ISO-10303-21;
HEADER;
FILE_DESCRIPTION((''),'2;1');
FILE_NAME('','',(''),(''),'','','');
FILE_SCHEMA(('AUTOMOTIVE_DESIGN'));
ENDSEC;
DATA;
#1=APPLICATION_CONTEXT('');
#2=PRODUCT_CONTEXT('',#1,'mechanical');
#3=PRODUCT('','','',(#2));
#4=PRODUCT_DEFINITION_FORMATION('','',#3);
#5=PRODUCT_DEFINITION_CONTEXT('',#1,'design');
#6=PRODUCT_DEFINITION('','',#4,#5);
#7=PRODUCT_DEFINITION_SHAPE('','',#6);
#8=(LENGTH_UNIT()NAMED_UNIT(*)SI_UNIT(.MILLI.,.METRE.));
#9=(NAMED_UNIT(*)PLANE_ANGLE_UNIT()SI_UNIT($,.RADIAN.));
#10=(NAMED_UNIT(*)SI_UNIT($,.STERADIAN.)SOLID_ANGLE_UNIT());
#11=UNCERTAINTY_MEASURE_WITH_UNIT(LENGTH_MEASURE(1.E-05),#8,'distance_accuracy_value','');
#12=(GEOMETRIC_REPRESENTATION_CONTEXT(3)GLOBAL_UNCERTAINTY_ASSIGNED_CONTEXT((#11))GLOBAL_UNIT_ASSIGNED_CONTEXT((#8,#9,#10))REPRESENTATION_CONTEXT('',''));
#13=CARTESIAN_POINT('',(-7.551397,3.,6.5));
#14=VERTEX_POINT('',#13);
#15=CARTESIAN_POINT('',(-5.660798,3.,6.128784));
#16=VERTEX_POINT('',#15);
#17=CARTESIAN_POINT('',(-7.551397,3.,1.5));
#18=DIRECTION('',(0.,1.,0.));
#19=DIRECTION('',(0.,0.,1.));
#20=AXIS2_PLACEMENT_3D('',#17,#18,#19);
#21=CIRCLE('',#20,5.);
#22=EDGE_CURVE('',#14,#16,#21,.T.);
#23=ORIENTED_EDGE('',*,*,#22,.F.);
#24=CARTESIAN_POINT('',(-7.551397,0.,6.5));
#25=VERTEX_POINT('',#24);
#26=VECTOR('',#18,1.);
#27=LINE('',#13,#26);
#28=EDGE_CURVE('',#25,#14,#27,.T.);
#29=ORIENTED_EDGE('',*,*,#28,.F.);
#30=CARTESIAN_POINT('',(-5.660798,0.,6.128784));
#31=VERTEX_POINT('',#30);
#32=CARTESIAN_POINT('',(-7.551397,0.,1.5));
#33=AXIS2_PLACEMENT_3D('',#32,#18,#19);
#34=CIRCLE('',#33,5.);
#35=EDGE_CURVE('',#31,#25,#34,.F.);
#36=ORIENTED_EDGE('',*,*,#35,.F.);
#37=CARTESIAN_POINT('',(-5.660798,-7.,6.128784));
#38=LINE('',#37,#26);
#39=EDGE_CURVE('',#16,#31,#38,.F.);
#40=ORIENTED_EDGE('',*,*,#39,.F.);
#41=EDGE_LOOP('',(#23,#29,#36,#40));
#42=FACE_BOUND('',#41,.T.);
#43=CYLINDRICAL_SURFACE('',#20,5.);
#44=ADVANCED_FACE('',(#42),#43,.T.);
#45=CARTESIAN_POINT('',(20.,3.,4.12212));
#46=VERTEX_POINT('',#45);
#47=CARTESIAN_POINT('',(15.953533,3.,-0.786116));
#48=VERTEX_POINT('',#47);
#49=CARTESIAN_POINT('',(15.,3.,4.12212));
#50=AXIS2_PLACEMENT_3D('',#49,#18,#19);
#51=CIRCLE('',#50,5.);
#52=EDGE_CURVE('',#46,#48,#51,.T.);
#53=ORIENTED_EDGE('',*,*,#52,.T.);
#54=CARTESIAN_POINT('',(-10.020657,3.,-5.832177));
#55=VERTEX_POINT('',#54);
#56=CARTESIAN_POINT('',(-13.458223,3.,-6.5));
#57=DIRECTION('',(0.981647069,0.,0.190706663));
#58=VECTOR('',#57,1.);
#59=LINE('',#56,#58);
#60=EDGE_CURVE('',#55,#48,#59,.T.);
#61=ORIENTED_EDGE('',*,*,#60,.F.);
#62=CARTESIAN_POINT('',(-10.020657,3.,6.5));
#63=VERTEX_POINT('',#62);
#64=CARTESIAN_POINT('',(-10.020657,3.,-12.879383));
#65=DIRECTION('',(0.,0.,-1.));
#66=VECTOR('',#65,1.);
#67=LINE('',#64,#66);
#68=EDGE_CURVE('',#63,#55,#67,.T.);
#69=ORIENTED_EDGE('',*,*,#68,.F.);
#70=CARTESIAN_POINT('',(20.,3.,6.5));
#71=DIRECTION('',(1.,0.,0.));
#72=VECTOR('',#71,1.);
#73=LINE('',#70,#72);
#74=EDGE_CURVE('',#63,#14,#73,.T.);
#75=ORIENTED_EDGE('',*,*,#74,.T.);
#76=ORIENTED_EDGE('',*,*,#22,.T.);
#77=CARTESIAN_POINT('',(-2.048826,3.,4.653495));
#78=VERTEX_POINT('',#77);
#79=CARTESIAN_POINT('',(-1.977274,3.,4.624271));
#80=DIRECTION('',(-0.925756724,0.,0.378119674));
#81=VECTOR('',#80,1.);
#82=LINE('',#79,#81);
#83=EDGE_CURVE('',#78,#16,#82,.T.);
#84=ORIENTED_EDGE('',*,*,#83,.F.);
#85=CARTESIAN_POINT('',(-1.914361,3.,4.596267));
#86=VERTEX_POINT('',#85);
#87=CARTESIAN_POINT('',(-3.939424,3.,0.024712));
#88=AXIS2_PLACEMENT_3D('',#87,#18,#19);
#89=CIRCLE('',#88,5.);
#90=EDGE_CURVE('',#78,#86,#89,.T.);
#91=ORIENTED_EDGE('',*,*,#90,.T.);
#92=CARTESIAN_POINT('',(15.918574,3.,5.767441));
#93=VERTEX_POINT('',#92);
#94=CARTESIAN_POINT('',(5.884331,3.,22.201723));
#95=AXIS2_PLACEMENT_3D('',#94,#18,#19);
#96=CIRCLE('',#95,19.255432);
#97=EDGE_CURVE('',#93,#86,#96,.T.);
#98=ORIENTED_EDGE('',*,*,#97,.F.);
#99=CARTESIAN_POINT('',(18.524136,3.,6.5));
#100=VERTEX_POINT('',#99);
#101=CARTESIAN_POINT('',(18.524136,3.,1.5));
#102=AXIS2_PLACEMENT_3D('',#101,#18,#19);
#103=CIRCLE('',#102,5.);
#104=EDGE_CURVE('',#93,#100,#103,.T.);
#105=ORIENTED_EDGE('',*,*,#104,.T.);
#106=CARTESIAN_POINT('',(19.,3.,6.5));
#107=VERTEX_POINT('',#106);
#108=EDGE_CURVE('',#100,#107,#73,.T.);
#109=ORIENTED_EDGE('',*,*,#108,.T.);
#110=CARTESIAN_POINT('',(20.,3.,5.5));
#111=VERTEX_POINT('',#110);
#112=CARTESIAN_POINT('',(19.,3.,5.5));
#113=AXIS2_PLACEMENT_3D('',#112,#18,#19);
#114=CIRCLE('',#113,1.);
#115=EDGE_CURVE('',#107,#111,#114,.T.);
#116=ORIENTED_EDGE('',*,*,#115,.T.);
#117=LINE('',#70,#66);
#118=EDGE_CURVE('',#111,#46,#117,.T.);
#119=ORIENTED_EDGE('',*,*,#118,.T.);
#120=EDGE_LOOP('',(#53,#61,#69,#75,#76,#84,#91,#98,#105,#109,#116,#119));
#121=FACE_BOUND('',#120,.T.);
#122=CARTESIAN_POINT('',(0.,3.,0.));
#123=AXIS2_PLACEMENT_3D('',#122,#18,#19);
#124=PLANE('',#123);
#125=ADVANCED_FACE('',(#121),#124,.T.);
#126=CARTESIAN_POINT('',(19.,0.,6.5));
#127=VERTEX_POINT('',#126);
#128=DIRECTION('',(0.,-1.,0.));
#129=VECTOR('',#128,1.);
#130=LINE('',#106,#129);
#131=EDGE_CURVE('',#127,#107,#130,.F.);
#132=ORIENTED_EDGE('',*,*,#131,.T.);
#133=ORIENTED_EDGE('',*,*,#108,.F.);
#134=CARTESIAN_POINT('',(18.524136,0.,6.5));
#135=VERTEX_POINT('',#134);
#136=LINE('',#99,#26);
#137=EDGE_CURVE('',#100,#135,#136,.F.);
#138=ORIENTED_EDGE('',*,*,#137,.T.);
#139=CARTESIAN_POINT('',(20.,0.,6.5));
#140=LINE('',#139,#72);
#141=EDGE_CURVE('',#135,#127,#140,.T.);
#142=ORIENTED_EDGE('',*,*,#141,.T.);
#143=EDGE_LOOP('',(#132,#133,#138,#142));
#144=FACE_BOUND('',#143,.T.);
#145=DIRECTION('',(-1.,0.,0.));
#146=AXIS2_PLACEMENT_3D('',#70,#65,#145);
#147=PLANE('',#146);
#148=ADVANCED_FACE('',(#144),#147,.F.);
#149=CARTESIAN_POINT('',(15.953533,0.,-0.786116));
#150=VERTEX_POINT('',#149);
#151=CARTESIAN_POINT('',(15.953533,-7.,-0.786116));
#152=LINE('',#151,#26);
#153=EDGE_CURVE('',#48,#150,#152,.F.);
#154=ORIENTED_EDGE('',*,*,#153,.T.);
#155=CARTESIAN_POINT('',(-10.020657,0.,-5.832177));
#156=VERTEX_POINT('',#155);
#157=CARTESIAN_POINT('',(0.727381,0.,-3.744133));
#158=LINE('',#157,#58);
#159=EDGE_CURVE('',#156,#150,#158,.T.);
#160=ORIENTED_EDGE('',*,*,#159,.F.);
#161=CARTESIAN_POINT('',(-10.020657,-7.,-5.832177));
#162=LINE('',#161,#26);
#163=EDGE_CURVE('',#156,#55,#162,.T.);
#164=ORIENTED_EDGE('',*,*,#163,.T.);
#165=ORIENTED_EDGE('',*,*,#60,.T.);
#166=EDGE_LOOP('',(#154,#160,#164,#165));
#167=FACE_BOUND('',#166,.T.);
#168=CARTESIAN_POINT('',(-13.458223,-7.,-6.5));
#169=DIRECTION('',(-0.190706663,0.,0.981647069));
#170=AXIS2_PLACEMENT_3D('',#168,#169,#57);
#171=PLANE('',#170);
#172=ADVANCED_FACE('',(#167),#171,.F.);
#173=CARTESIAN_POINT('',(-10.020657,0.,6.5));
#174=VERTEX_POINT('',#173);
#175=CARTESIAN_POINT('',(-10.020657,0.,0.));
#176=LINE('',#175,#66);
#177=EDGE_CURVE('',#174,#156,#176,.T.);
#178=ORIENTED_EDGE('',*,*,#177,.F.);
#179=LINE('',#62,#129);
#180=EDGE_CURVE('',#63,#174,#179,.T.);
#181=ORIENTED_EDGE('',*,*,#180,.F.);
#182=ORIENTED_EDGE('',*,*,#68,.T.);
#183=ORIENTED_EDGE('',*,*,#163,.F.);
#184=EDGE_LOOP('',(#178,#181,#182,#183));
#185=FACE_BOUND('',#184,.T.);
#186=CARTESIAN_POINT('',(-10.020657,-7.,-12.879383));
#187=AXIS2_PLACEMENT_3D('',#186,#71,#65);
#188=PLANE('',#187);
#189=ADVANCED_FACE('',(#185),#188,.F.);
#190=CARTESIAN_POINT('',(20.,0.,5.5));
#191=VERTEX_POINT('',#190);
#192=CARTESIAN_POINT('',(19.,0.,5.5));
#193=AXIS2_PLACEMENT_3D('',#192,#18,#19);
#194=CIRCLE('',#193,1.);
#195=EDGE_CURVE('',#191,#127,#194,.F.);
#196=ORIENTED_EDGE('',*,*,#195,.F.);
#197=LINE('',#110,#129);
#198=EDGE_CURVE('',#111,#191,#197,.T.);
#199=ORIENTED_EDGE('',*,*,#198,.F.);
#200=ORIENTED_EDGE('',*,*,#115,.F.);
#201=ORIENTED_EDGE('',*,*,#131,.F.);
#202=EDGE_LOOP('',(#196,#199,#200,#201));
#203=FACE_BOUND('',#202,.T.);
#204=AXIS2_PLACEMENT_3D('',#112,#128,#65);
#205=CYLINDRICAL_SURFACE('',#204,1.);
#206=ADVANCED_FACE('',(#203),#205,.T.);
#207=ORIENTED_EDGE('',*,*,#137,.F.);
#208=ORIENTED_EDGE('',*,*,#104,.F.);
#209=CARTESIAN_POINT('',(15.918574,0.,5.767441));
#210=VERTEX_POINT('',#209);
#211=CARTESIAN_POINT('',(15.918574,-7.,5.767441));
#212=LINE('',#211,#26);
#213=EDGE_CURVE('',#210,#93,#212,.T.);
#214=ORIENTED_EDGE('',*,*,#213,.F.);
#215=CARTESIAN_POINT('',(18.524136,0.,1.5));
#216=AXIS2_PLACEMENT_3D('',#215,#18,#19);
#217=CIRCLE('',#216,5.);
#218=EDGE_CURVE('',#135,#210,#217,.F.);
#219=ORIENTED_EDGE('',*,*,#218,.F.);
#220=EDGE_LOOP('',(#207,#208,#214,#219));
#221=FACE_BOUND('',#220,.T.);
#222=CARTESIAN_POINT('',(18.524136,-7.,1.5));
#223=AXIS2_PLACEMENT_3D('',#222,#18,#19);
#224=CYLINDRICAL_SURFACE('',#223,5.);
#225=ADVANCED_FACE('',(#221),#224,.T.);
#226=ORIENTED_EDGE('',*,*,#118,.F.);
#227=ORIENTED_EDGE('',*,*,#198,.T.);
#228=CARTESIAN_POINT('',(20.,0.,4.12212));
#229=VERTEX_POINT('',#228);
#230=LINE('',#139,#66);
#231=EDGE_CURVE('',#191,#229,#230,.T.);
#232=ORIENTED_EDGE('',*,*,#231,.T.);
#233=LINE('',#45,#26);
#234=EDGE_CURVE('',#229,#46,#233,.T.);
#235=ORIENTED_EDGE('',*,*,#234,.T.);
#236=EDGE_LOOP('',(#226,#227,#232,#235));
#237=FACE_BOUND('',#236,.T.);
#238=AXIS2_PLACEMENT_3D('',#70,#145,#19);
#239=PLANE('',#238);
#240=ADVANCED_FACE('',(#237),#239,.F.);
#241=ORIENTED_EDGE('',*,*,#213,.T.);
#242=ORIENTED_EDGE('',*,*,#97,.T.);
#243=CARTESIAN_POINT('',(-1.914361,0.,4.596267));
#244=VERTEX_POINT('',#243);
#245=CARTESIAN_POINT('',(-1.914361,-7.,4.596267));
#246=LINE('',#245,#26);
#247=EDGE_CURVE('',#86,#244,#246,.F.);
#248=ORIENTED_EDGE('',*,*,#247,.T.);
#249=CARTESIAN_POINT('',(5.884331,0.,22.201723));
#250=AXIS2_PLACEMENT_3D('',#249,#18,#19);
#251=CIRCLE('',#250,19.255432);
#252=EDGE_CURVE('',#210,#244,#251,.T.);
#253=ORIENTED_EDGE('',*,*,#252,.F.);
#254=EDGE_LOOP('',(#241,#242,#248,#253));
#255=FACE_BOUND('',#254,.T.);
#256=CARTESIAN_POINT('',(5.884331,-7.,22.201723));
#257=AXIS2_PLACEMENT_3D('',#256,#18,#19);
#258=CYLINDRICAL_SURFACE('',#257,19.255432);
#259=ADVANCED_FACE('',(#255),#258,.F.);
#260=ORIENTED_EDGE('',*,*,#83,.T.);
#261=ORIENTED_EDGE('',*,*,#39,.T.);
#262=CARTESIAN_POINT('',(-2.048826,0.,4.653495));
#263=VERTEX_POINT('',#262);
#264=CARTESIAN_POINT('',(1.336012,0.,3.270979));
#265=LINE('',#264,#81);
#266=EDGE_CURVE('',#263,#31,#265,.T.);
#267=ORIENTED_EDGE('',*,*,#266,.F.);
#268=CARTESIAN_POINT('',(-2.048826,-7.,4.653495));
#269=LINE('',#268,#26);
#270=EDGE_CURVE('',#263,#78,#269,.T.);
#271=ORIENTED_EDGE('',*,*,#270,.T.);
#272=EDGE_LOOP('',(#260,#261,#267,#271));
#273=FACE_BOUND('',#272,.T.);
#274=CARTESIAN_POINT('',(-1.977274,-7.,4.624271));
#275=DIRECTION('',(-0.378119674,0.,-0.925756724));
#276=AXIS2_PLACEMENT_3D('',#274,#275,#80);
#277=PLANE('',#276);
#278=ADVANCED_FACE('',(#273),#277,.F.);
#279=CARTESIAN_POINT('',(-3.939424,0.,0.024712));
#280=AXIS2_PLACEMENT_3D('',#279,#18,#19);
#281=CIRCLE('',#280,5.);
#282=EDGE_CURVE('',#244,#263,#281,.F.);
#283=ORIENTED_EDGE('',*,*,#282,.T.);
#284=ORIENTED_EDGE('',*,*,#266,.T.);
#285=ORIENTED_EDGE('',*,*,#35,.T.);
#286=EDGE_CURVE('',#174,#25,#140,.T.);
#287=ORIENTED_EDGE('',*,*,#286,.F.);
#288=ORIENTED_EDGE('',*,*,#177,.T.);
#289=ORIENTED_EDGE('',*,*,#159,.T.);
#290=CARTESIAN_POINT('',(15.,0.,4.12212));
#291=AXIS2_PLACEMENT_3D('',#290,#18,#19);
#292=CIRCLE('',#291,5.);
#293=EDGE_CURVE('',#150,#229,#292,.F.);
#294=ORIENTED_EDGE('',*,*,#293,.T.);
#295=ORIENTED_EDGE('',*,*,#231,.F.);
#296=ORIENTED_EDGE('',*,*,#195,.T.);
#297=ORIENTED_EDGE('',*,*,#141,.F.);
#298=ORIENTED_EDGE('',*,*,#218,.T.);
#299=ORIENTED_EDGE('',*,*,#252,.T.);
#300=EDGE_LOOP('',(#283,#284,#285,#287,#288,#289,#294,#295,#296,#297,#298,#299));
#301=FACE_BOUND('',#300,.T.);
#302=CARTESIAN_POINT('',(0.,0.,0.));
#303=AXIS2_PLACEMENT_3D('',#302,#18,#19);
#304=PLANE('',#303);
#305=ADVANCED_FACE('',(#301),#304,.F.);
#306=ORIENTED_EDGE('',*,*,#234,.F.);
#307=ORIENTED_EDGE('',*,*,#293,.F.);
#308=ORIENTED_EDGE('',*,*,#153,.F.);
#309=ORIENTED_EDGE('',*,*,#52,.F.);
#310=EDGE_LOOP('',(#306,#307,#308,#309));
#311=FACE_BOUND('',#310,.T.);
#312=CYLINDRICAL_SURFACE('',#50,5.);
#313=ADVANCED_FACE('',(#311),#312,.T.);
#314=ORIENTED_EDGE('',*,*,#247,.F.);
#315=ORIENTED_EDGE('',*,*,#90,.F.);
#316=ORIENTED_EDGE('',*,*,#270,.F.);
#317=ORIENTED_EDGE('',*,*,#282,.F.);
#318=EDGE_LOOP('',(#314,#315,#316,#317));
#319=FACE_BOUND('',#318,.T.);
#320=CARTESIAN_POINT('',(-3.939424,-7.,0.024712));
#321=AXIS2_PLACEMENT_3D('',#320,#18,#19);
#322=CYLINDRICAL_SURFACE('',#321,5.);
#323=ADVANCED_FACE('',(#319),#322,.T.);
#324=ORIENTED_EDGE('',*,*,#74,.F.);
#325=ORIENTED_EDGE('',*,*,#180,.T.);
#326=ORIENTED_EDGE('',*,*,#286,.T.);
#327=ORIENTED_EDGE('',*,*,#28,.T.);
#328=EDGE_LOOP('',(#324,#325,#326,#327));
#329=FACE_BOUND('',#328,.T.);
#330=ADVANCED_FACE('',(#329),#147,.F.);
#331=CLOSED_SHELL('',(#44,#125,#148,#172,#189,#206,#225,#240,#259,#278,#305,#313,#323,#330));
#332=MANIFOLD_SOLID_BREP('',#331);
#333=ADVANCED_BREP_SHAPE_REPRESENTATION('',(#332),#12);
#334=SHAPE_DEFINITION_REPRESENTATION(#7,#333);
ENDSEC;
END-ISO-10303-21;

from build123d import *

# Parameters (mm, degrees)
SKETCH1_W           = 40
SKETCH1_H           = 13
BOSS_EXTRUDE1_DEPTH = 3
SKETCH3_R           = 1.25
CUT_EXTRUDE2_DEPTH  = 22.242645786
CUT_EXTRUDE3_DEPTH  = 10
FILLET2_R           = 5
FILLET3_R           = 1
FILLET4_R           = 5
FILLET5_R           = 5
SKETCH6_W           = 15.217676948
SKETCH6_H           = 27.138085695
CUT_EXTRUDE5_DEPTH  = 10


with BuildPart() as part:
    # Sketch1 → Boss-Extrude1 (new body)
    with BuildSketch(Plane(origin=(0, 0, 0), x_dir=(1, 0, 0), z_dir=(0, 1, 0))):
        Rectangle(SKETCH1_W, SKETCH1_H)
    extrude(amount=BOSS_EXTRUDE1_DEPTH)

    # Sketch3 → Cut-Extrude2 (cut, through all)
    with BuildSketch(Plane(origin=(0, 3, 0), x_dir=(1, 0, 0), z_dir=(0, 1, 0))):
        with Locations(Location((-17, 4, 0), (0, 0, 270))):
            Circle(SKETCH3_R)
        with Locations(Location((-17, -4, 0), (0, 0, 270))):
            Circle(SKETCH3_R)
    extrude(amount=-CUT_EXTRUDE2_DEPTH, mode=Mode.SUBTRACT)

    # Sketch5 → Cut-Extrude3 (cut)
    with BuildSketch(Plane(origin=(0, 3, 0), x_dir=(1, 0, 0), z_dir=(0, 1, 0))):
        with BuildLine():
            Line((-13.458222524, 6.5), (20, 0))
            Line((20, 0), (20, -6.5))
            Line((20, -6.5), (17.030073052, -6.5))
            ThreePointArc((17.030073052, -6.5), (7.775356774, -3.039372162), (-1.977274399, -4.624270773))
            Line((-1.977274399, -4.624270773), (-6.569653649, -6.5))
            Line((-6.569653649, -6.5), (-13.458222524, -6.5))
            Line((-13.458222524, -6.5), (-13.458222524, -10.237178745))
            Line((-13.458222524, -10.237178745), (26.023482417, -9.726914384))
            Line((26.023482417, -9.726914384), (26.023482417, 8.477274399))
            Line((26.023482417, 8.477274399), (-13.458222524, 8.477274399))
            Line((-13.458222524, 8.477274399), (-13.458222524, 6.5))
        make_face()
    extrude(amount=-CUT_EXTRUDE3_DEPTH, mode=Mode.SUBTRACT)

    # Fillet2
    fillet2_edges = [part.edges().sort_by_distance(p)[0] for p in [
        (-6.569653649, 1.5, 6.5),
        (-1.977274399, 1.5, 4.624270773),
        (17.030073052, 1.5, 6.5),
    ]]
    fillet(fillet2_edges, radius=FILLET2_R)

    # Fillet3
    fillet3_edges = [part.edges().sort_by_distance(p)[0] for p in [
        (20, 1.5, 6.5),
    ]]
    fillet(fillet3_edges, radius=FILLET3_R)

    # Fillet4
    fillet4_edges = [part.edges().sort_by_distance(p)[0] for p in [
        (20, 1.5, 0),
    ]]
    fillet(fillet4_edges, radius=FILLET4_R)

    # Fillet5
    fillet5_edges = [part.edges().sort_by_distance(p)[0] for p in [
        (-13.458222524, 1.5, -6.5),
    ]]
    fillet(fillet5_edges, radius=FILLET5_R)

    # Sketch6 → Cut-Extrude5 (cut)
    with BuildSketch(Plane(origin=(0, 3, 0), x_dir=(1, 0, 0), z_dir=(0, 1, 0))):
        with Locations((-17.629495701, -0.689660295)):
            Rectangle(SKETCH6_W, SKETCH6_H)
    extrude(amount=-CUT_EXTRUDE5_DEPTH, mode=Mode.SUBTRACT)


solid = part.part
